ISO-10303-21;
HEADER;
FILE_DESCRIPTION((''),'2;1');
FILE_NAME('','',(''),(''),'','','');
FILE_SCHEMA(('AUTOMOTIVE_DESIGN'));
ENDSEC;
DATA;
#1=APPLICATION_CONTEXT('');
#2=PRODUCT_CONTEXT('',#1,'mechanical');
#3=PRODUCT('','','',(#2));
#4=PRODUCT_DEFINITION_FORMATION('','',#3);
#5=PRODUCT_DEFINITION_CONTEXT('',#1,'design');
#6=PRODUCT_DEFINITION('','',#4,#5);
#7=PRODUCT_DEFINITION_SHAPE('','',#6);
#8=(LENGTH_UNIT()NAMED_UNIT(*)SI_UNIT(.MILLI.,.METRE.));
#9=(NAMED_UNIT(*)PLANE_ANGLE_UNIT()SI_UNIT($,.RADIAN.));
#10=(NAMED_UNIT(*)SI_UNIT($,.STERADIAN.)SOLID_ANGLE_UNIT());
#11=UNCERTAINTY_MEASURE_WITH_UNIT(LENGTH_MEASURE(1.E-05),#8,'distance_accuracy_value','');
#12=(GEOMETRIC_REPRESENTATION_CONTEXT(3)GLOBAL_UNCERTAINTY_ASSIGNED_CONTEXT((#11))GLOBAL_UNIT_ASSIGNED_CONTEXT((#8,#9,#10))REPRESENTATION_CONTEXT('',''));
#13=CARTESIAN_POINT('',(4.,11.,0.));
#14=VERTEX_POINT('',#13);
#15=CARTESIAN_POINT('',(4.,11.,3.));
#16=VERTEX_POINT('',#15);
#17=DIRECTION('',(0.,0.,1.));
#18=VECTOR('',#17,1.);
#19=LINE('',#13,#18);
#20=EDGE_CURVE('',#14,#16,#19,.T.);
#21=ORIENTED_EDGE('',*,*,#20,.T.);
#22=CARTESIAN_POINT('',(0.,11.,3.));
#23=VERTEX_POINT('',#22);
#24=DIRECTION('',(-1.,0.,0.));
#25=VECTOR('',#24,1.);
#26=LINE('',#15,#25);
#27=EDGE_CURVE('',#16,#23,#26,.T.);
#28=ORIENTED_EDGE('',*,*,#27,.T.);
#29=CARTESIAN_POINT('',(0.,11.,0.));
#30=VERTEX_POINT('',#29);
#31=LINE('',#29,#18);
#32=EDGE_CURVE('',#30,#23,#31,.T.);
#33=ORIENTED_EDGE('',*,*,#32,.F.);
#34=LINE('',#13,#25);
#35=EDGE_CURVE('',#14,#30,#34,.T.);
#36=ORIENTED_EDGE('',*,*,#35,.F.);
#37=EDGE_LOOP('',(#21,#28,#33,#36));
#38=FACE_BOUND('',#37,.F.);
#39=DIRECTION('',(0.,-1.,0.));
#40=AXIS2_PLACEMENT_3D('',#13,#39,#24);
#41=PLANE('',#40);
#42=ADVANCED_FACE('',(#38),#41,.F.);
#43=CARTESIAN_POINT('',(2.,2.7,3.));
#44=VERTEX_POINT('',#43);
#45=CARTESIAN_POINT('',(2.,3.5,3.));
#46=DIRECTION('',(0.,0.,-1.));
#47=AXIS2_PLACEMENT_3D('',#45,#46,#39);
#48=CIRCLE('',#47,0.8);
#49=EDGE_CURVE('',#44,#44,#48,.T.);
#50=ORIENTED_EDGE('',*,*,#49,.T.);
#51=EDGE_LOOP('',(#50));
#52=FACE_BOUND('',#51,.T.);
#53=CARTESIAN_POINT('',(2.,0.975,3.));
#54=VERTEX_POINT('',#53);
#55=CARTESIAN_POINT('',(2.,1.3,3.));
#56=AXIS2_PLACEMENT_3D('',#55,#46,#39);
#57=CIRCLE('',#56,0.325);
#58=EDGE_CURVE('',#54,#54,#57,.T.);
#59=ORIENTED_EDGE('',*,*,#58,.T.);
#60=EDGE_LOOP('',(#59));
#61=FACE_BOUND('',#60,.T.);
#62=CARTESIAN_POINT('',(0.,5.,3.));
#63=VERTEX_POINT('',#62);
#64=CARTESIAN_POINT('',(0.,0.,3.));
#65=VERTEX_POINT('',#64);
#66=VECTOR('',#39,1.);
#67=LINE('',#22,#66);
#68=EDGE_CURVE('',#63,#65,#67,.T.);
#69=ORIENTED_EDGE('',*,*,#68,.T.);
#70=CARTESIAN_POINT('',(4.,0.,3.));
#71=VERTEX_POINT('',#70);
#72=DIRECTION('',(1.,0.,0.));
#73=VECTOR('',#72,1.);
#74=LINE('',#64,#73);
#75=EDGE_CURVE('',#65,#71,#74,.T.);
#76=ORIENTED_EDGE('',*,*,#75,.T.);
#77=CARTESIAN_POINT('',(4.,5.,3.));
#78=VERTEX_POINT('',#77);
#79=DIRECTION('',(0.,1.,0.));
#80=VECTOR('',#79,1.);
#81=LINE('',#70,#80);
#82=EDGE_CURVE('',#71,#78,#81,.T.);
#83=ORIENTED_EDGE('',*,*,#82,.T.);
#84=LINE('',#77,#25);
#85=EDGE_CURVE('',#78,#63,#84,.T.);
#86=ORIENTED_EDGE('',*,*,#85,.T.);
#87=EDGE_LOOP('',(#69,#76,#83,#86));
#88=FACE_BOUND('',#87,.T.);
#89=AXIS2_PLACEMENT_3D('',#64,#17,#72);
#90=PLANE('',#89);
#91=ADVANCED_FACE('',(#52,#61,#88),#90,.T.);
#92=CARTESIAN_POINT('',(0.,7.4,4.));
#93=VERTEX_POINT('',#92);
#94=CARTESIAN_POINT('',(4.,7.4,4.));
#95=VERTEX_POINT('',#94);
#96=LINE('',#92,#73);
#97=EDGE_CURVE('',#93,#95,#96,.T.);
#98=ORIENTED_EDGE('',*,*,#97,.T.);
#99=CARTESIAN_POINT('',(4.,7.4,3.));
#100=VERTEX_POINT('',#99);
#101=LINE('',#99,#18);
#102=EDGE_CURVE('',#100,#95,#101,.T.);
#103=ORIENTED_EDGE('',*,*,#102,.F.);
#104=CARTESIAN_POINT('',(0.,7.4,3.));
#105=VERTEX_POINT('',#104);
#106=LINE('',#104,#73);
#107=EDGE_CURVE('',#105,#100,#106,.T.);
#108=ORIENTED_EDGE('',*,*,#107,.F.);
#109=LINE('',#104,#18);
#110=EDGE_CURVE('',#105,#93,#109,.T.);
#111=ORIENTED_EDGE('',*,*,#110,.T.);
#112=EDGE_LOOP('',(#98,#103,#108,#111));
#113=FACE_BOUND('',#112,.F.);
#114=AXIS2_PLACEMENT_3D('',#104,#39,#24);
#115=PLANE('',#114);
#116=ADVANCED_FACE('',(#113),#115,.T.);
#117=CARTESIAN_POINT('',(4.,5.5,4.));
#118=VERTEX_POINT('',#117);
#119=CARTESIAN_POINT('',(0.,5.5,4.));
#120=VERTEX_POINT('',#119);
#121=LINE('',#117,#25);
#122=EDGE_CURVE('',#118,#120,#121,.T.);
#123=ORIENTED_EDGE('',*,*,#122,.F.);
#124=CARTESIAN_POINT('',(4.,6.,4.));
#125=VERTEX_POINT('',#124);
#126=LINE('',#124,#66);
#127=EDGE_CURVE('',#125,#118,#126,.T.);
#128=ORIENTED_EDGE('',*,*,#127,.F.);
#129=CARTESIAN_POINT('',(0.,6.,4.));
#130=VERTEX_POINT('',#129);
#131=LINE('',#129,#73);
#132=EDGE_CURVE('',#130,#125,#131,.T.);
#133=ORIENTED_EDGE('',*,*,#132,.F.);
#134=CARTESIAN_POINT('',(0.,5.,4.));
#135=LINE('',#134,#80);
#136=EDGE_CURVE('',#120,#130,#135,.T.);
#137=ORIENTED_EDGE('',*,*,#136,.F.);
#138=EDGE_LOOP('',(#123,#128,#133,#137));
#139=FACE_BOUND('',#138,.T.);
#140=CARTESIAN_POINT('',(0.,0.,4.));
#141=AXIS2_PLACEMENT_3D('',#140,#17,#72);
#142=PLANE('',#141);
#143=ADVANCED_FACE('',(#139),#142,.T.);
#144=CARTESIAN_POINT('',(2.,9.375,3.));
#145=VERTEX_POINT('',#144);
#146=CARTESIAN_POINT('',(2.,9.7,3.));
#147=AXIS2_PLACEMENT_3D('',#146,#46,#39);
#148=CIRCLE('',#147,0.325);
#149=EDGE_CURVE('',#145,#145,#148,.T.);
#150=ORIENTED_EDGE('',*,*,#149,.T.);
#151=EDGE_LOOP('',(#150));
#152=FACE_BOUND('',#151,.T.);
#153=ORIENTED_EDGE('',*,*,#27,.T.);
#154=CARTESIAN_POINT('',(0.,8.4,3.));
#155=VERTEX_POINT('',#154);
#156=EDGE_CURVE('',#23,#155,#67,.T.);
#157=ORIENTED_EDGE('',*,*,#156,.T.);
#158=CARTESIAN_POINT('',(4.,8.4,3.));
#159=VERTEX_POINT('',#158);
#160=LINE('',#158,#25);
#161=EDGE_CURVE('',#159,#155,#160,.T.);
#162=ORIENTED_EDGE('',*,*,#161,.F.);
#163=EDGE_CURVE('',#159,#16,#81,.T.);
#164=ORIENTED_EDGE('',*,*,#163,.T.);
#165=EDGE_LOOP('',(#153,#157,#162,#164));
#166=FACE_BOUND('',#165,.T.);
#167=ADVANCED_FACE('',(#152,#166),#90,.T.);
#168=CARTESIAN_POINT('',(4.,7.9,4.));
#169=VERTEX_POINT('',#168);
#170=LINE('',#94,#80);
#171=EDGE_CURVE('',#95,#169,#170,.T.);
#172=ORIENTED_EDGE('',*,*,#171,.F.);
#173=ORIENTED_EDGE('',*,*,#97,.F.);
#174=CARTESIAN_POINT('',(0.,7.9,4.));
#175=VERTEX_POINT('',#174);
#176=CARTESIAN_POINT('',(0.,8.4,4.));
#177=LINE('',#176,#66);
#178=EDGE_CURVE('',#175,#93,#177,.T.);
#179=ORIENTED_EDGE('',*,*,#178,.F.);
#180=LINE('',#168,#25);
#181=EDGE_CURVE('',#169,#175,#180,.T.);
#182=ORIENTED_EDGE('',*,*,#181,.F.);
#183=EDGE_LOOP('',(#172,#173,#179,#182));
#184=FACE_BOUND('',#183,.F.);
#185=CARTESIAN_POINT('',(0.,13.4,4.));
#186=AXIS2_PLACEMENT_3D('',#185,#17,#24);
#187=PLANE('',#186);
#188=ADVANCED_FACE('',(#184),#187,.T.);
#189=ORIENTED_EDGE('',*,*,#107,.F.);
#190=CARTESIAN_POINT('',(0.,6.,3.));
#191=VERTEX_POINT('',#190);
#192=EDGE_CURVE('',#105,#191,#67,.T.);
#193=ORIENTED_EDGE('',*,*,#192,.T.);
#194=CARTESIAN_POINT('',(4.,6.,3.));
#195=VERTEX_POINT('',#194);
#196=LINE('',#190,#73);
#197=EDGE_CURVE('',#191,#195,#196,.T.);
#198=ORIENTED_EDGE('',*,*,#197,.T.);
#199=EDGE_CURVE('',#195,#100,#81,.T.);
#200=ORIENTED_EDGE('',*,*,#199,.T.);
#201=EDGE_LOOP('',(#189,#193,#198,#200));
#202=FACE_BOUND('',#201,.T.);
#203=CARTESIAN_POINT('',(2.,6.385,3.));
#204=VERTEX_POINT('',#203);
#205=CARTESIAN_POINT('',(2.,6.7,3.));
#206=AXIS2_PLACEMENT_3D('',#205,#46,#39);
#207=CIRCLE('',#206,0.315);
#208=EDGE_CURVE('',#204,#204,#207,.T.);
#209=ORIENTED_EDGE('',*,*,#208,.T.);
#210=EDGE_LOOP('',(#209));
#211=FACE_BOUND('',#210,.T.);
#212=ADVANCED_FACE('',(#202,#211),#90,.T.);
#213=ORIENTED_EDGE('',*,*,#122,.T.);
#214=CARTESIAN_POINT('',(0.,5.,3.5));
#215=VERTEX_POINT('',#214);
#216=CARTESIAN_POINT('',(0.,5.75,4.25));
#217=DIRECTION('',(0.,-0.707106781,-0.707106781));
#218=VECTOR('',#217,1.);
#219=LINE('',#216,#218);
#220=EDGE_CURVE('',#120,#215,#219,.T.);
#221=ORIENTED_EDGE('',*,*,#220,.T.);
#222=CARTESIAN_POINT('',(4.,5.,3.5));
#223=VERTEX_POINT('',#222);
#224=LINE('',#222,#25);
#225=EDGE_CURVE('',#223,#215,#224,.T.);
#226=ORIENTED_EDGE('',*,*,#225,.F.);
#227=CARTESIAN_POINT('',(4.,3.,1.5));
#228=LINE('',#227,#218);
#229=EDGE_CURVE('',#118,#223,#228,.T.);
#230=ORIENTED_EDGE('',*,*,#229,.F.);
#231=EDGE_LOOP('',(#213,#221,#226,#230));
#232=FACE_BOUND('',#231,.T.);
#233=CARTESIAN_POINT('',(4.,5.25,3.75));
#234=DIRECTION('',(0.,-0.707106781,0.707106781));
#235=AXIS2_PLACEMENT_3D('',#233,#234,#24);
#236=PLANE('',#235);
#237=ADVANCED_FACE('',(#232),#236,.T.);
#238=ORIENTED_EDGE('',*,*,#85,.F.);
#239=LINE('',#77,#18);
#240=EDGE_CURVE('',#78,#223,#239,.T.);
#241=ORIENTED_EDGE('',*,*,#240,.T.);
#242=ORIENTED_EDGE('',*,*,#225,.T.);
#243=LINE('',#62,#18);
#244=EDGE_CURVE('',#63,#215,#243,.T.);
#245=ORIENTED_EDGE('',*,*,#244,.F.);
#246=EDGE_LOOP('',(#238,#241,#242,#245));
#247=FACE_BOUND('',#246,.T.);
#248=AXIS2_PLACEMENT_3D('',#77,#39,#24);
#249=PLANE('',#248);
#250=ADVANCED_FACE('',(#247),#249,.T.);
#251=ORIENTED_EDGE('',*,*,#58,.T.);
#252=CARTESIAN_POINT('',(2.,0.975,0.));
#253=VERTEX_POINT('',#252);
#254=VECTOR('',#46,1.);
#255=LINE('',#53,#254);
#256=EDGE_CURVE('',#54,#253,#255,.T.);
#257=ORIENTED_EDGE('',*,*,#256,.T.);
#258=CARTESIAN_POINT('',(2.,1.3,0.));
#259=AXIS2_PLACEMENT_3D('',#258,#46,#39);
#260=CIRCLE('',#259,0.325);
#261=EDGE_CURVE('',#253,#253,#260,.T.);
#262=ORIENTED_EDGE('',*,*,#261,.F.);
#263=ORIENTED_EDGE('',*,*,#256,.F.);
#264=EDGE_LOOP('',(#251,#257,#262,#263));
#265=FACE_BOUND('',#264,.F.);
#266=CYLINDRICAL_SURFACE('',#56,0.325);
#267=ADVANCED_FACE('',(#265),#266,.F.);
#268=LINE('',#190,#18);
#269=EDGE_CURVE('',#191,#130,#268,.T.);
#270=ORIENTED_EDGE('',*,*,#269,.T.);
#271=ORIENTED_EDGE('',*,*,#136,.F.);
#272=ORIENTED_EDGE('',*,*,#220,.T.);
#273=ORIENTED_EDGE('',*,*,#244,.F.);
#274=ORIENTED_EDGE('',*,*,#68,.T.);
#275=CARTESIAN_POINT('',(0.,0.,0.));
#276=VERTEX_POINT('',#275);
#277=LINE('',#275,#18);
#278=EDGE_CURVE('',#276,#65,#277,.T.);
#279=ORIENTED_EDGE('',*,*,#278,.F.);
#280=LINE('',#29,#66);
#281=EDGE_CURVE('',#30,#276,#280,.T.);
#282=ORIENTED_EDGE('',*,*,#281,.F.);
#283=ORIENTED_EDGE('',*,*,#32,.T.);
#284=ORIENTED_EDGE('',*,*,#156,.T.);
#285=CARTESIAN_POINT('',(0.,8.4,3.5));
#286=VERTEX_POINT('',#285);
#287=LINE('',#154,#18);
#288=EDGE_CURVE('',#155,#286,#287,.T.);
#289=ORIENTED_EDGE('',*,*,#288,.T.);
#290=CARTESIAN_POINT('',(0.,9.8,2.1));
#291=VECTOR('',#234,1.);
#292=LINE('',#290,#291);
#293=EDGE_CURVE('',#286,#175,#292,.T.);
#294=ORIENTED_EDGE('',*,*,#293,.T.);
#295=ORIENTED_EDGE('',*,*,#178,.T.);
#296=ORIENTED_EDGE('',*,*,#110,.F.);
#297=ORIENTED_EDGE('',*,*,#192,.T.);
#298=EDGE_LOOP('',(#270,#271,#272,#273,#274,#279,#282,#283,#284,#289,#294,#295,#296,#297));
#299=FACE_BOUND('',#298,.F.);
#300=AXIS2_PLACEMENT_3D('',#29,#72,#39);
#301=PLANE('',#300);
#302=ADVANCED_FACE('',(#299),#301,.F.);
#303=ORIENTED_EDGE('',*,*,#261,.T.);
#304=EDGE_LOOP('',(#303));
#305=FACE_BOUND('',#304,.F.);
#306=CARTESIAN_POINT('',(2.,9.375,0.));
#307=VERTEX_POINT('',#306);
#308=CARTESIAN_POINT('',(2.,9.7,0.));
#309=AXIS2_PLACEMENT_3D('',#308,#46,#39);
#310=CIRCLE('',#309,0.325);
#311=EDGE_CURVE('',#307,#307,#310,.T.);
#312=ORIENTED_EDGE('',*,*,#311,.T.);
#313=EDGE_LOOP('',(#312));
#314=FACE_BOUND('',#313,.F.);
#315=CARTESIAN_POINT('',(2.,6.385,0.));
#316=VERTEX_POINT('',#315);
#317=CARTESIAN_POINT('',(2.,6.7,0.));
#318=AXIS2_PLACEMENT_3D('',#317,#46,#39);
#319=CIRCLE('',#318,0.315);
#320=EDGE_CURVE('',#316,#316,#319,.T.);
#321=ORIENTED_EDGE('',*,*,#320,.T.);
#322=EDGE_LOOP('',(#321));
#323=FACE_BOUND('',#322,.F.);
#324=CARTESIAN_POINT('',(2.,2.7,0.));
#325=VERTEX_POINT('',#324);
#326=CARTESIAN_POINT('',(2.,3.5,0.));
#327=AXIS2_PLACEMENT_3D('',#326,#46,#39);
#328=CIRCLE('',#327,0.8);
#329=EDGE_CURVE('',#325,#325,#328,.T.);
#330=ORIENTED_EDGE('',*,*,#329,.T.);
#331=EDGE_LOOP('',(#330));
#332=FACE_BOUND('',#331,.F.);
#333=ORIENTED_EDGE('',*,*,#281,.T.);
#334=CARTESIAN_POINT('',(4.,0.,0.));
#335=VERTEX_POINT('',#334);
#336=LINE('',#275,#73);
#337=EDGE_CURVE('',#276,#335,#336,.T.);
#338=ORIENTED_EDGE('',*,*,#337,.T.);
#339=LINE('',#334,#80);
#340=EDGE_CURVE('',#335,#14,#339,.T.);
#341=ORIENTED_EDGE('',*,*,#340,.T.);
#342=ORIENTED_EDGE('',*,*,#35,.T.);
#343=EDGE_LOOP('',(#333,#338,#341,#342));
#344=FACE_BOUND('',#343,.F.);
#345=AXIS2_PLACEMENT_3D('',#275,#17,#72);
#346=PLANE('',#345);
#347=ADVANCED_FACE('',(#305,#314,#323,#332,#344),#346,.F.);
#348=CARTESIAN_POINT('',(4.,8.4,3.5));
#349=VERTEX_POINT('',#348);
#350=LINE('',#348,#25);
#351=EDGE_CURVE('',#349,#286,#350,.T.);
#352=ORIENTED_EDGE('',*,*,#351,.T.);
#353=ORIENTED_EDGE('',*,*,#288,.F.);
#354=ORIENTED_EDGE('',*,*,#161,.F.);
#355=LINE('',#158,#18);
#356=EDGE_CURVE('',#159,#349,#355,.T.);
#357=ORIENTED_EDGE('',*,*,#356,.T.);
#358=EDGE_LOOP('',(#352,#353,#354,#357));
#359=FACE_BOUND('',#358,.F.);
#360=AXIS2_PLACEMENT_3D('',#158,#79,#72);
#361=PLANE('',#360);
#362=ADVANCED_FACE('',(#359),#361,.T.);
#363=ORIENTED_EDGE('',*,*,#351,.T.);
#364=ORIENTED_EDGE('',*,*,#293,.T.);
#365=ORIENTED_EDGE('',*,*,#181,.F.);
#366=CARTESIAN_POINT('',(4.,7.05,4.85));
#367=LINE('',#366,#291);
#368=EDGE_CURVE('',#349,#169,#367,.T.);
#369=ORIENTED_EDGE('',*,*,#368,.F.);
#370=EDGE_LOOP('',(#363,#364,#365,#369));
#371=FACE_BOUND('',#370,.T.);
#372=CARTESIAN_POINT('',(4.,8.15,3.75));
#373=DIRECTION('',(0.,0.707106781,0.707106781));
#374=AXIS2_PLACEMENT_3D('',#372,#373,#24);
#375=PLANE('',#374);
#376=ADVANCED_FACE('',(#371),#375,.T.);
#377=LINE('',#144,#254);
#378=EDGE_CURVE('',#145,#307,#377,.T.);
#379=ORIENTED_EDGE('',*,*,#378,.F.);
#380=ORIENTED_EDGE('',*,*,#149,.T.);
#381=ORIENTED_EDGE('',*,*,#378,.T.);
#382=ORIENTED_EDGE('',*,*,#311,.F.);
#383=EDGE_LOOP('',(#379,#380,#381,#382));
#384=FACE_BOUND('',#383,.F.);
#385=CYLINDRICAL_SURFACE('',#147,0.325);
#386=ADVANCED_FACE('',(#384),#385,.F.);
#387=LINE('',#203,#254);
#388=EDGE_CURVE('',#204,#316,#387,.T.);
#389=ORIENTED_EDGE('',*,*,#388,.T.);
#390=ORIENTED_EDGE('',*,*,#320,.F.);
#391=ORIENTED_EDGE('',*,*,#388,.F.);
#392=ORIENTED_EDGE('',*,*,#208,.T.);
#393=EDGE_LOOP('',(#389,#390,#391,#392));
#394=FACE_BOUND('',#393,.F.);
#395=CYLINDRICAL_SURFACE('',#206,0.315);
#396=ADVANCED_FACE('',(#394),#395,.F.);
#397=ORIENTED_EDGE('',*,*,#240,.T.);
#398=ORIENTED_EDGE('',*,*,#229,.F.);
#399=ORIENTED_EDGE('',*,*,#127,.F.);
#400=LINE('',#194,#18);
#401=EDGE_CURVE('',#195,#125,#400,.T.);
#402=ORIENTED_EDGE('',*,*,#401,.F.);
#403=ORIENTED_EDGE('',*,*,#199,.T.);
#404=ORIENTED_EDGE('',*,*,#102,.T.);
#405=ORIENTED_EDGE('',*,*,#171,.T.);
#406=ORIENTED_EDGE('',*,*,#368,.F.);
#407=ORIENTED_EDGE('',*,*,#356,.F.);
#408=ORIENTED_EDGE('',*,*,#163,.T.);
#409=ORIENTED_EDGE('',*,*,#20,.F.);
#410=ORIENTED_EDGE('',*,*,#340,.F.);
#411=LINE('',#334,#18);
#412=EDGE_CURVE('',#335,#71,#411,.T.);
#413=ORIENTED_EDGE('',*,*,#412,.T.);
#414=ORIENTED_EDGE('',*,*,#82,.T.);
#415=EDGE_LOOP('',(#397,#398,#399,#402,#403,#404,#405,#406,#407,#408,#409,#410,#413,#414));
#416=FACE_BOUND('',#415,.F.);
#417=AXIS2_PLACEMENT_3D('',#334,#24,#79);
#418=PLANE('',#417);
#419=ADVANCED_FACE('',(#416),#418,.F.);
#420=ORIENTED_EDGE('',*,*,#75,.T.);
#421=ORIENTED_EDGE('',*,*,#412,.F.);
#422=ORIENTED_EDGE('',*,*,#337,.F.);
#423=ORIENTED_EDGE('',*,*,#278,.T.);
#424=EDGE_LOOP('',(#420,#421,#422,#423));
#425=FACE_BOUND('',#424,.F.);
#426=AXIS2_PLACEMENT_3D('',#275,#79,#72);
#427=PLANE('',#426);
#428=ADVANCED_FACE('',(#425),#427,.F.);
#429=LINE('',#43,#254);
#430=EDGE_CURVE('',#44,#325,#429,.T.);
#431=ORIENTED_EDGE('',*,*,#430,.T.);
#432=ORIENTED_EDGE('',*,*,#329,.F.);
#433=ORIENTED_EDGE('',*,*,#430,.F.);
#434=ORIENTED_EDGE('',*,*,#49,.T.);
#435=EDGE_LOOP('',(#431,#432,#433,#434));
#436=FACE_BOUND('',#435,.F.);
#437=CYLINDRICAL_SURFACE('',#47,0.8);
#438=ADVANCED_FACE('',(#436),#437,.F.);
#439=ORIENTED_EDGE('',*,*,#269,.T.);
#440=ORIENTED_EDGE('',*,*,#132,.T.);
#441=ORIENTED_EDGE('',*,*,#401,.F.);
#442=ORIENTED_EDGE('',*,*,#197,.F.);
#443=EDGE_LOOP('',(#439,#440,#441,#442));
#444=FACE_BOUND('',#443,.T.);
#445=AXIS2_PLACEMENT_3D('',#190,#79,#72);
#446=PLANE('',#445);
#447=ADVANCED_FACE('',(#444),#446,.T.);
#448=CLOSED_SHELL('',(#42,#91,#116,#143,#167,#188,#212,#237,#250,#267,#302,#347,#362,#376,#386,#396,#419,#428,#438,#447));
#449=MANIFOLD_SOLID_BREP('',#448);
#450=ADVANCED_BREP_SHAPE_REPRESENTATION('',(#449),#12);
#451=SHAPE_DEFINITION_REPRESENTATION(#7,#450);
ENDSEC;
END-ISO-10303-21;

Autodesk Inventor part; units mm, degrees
ref_plane "YZ Plane" through (0, 0, 0) normal (1, 0, 0) x (0, 1, 0)
ref_plane "XZ Plane" through (0, 0, 0) normal (0, 1, 0) x (-1, 0, 0)
ref_plane "XY Plane" through (0, 0, 0) normal (0, 0, 1) x (1, 0, 0)
sketch "스케치1" plane through (0, 0, 0) normal (0, 0, 1) x (1, 0, 0)
  line L0 (0, 0) -> (4, 0)
  line L1 (4, 0) -> (4, 11)
  line L2 (4, 11) -> (0, 11)
  line L3 (0, 11) -> (0, 0)
  dimension "d0" = 4
  dimension "d1" = 11
extrude "돌출1" add sketch "스케치1" along normal blind 3
sketch "스케치2" plane through (0, 0, 3) normal (0, 0, 1) x (1, 0, 0)
  line L0 (4, 11) -> (0, 11) construction
  line L1 (2, 11) -> (2, 0) construction
  line L2 (0, 0) -> (4, 0) construction
  line L3 (0, 6) -> (4, 6)
  line L4 (4, 6) -> (4, 5)
  line L5 (4, 5) -> (0, 5)
  line L6 (0, 5) -> (0, 6)
  line L7 (4, 0) -> (4, 11) projected
  line L8 (0, 11) -> (0, 0) projected
  point P0 (2, 6.7)
  point P1 (2, 3.5)
  point P2 (2, 1.3)
  point P3 (2, 6.7)
  point P4 (2, 9.7)
  dimension "d7" = 1
  dimension "d8" = 5
  dimension "d9" = 4.3
  dimension "d45" = 1.3
  dimension "d51" = 3.2
  dimension "d52" = 2.2
  dimension "d54" = 0
  dimension "d55" = 1.3
extrude "돌출2" add sketch "스케치2" along normal blind 1
hole "구멍1" at (2, 6.7, 3) direction (0, 0, -1) diameter 0.63 end through all
hole "구멍2" at (2, 3.5, 3) direction (0, 0, -1) diameter 1.6 end through all
hole "구멍3" at (2, 1.3, 3) at (2, 9.7, 3) direction (0, 0, -1) diameter 0.65 end through all
chamfer "모따기1" distance 0.5 angle 45 1 edges at (2, 5, 4)
ref_plane "작업 평면1" through (0, 6.7, 3) normal (0, 1, 0) x (1, 0, 0)
mirror "미러1" about plane through (0, 6.7, 3) normal (0, 1, 0) of "돌출2", "모따기1"
equation "\"G23_M\" = 0.67"
equation "\"G23_F\" = 0.65"
properties part number "_3D 인쇄"
